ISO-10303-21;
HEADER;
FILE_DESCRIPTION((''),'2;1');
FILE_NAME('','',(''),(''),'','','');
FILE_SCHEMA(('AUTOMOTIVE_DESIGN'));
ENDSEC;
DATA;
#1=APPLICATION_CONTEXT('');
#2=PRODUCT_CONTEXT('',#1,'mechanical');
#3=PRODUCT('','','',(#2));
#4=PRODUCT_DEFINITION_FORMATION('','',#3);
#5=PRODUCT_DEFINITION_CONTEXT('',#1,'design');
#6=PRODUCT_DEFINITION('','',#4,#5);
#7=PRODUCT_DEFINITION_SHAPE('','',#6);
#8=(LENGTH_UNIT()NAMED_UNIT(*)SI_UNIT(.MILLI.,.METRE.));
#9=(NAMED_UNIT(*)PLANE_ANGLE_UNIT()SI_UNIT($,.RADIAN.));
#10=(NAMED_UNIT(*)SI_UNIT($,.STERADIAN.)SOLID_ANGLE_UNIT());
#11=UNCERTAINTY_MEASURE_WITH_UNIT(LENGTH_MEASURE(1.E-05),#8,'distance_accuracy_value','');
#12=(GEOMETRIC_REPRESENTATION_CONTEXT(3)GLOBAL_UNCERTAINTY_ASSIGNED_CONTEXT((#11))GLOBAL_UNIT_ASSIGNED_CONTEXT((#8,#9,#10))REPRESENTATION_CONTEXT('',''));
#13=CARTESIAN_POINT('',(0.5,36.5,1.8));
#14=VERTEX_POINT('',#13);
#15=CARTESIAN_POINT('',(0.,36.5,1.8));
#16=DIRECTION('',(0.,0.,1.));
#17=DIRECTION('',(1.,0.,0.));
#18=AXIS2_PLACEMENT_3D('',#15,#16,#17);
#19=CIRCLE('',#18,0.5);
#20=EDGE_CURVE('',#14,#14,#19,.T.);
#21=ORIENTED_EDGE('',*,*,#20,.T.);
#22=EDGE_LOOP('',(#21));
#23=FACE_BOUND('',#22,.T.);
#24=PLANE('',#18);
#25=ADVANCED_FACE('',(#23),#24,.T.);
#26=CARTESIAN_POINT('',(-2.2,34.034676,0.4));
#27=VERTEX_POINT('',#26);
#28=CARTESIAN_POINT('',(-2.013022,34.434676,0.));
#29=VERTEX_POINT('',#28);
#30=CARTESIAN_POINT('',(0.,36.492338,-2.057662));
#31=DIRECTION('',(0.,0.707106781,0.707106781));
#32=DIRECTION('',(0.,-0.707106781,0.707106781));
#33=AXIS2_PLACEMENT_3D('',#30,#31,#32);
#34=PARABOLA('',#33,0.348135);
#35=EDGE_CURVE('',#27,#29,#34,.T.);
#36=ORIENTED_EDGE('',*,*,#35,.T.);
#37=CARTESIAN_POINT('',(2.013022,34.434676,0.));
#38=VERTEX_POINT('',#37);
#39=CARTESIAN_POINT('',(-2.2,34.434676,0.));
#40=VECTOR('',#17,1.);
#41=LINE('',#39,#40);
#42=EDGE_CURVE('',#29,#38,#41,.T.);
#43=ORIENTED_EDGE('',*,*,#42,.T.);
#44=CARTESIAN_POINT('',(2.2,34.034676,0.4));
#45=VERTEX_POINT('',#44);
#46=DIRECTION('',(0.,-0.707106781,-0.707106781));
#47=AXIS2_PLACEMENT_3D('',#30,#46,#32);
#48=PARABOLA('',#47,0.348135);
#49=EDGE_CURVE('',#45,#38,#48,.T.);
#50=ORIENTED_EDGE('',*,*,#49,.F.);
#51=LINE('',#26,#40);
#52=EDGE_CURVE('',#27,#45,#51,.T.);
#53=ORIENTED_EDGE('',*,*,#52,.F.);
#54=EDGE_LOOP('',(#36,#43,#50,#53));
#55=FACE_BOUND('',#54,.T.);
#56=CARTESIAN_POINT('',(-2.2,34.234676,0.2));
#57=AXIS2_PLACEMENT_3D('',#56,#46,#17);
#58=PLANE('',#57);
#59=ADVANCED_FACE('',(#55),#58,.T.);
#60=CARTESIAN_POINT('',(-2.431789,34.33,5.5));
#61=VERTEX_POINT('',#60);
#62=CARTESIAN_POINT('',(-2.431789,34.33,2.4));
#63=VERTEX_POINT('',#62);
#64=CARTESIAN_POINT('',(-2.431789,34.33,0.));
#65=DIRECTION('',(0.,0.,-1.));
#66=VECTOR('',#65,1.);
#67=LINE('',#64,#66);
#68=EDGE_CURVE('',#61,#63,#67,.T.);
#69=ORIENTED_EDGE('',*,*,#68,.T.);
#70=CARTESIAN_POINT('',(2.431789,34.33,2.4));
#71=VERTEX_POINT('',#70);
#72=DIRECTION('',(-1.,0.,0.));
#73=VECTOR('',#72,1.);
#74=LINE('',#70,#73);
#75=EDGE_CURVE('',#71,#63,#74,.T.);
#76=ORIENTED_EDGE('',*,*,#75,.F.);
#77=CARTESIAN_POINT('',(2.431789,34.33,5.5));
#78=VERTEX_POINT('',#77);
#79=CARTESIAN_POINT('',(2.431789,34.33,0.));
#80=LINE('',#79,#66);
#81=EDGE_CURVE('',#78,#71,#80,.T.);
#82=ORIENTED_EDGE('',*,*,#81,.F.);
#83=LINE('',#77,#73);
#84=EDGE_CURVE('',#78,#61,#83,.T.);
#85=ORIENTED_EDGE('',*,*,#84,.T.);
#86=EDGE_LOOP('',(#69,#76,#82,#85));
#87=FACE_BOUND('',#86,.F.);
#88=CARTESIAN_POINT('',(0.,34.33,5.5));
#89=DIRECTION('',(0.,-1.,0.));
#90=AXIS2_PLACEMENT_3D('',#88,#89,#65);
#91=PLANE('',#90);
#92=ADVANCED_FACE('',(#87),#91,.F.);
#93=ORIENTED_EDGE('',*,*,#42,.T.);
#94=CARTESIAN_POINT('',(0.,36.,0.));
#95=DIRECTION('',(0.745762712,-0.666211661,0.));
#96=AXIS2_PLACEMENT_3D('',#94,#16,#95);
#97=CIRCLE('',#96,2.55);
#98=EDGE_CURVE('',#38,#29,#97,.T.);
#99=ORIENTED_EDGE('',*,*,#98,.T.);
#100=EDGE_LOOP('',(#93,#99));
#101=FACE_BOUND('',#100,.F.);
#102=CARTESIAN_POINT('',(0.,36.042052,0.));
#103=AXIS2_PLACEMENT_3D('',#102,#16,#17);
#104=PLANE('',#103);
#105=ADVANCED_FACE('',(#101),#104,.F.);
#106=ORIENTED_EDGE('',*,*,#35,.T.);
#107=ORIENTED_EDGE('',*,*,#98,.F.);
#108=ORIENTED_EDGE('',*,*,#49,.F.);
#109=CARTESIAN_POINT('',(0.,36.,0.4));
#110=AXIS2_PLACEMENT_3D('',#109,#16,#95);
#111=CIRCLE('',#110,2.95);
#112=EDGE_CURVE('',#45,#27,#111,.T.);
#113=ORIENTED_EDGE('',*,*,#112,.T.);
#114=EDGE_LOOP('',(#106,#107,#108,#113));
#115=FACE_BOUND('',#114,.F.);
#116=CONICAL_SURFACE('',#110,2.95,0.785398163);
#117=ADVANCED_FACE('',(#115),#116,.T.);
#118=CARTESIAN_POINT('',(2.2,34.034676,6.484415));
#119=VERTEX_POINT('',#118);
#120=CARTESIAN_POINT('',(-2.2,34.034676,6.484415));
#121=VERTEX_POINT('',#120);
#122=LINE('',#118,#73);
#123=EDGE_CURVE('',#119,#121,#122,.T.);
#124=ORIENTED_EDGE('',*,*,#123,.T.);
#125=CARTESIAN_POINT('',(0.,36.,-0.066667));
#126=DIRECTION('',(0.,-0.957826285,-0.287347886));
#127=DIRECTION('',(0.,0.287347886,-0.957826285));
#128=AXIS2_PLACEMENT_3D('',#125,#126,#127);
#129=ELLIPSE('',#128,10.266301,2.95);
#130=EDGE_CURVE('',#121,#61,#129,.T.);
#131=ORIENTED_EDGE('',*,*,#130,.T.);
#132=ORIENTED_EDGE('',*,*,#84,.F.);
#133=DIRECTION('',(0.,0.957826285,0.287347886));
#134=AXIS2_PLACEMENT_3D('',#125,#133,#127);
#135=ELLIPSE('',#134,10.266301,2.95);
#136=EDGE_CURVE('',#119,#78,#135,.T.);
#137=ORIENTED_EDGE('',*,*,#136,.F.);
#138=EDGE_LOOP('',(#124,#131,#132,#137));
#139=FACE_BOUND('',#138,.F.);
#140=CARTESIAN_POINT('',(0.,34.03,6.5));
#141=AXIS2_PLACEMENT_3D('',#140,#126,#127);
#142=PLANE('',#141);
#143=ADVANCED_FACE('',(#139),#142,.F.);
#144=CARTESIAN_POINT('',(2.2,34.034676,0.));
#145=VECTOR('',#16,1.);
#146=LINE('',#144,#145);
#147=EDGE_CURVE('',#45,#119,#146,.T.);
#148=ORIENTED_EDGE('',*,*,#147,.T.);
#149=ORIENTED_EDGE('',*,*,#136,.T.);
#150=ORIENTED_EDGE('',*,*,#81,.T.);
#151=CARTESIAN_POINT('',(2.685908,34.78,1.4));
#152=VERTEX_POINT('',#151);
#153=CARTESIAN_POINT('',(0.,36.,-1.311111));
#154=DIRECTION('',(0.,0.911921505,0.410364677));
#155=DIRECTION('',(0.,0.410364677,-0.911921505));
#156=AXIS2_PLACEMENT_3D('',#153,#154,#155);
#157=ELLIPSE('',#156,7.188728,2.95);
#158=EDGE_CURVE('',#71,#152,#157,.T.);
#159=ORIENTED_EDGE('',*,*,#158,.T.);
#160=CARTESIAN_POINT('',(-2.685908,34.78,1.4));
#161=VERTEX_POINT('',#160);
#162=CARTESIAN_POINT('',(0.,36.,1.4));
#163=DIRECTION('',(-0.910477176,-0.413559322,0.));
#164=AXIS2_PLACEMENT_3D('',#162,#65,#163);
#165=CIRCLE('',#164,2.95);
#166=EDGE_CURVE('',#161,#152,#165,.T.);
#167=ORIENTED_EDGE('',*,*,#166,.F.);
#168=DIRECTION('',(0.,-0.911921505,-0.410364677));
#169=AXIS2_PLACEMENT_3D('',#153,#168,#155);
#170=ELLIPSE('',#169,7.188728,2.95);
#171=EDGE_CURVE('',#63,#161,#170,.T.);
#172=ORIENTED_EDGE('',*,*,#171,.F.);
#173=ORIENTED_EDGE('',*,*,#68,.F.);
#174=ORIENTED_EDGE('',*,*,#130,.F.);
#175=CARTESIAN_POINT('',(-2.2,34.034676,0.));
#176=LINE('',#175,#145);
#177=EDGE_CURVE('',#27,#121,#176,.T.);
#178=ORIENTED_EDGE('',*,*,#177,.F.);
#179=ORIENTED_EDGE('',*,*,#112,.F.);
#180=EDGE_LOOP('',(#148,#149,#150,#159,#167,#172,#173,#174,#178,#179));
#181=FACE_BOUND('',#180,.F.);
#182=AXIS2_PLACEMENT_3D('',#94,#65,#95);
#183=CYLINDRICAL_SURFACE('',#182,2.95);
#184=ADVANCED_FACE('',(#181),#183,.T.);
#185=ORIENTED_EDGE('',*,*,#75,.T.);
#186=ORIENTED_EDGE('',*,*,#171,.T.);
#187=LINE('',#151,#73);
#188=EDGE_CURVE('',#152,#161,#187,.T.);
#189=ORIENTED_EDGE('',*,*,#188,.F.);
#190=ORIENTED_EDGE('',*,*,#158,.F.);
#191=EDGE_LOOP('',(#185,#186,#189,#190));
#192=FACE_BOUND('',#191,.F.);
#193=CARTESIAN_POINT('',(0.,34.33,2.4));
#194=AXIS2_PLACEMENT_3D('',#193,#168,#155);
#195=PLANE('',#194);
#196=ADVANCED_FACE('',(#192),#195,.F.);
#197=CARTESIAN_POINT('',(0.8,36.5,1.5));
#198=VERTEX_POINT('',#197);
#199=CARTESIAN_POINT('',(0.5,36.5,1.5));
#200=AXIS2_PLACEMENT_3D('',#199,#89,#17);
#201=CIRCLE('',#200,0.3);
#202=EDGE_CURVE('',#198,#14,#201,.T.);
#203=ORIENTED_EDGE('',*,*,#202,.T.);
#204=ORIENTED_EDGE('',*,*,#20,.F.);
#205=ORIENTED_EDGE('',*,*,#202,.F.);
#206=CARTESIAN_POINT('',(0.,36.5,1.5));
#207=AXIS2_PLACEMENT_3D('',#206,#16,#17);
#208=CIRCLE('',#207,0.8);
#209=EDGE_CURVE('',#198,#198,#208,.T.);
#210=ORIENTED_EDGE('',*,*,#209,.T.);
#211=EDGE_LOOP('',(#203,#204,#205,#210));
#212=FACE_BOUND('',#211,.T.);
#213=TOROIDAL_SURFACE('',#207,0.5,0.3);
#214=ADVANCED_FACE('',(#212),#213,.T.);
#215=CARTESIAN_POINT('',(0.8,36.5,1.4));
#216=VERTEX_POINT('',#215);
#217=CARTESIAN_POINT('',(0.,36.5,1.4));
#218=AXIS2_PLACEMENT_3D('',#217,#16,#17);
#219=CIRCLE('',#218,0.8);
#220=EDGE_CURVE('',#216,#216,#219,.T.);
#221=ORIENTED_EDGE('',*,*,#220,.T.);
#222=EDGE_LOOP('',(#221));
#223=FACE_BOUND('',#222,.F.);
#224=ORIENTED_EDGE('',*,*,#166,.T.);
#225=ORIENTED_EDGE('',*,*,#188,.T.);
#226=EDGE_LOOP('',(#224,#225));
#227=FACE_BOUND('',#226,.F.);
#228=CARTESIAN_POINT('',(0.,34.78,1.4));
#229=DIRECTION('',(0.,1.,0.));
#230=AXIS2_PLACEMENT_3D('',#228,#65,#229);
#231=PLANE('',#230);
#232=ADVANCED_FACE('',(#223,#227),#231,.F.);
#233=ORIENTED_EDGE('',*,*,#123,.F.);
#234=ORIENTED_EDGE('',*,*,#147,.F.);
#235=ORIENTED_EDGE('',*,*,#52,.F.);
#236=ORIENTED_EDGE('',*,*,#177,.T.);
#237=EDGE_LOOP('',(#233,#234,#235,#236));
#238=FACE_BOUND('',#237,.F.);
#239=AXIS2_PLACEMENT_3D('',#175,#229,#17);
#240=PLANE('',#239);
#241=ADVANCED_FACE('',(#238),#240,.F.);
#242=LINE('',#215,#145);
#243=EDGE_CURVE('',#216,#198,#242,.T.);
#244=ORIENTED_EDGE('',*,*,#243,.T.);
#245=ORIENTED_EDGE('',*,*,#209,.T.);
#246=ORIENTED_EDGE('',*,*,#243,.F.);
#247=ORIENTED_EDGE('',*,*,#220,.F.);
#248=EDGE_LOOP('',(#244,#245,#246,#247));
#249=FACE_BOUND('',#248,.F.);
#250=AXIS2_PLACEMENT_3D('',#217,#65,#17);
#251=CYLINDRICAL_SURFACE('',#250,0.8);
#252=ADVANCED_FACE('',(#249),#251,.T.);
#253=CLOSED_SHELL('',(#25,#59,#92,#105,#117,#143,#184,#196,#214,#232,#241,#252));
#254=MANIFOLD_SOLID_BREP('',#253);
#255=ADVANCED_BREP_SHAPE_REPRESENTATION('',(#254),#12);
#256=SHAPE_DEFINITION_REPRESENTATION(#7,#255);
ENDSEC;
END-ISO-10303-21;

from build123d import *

# Parameters (mm, degrees)
PAD008_DEPTH         = 6.5
POCKET007_DEPTH      = 2.951
POCKET007_DEPTH_BACK = 2.951
SKETCH023_R          = 0.8
PAD009_DEPTH         = 0.4
FILLET001_R          = 0.3
CHAMFER007_SIZE      = 0.4


with BuildPart() as part:
    # Sketch022 → Pad008 (new body)
    with BuildSketch(Plane.XY):
        with BuildLine():
            ThreePointArc((2.2, -1.9653244007), (0, 2.95), (-2.2, -1.9653244007))
            Line((-2.2, -1.9653244007), (2.2, -1.9653244007))
        make_face()
    extrude(amount=PAD008_DEPTH)

    # Sketch024 → Pocket007 (cut, two sides)
    with BuildSketch(Plane.YZ) as pocket007_sk:
        Polygon((-1.97, 6.5), (-1.67, 5.5), (-1.67, 2.4), (-1.22, 1.4), (4, 1.4), (4, 6.5), align=None)
    extrude(amount=-POCKET007_DEPTH, mode=Mode.SUBTRACT)
    extrude(pocket007_sk.sketch, amount=POCKET007_DEPTH_BACK, mode=Mode.SUBTRACT)

    # Sketch023 (on Face7 of Pocket007) → Pad009 (join)
    with BuildSketch(Plane.XY.offset(1.4)):
        with Locations((0, 0.5)):
            Circle(SKETCH023_R)
    extrude(amount=PAD009_DEPTH)

    # Fillet001
    fillet001_edges = [part.edges().sort_by_distance(p)[0] for p in [
        (-0.8, 0.5, 1.8),
    ]]
    fillet(fillet001_edges, radius=FILLET001_R)

    # Chamfer007
    chamfer007_edges = [part.edges().sort_by_distance(p)[0] for p in [
        (0, 2.95, 0),
        (0, -1.965324, 0),
    ]]
    chamfer(chamfer007_edges, length=CHAMFER007_SIZE)


with BuildPart() as part_1:
    # Body086 placement: moved
    add(part.part.moved(Location((0, 36, 0))))


solid = part_1.part
